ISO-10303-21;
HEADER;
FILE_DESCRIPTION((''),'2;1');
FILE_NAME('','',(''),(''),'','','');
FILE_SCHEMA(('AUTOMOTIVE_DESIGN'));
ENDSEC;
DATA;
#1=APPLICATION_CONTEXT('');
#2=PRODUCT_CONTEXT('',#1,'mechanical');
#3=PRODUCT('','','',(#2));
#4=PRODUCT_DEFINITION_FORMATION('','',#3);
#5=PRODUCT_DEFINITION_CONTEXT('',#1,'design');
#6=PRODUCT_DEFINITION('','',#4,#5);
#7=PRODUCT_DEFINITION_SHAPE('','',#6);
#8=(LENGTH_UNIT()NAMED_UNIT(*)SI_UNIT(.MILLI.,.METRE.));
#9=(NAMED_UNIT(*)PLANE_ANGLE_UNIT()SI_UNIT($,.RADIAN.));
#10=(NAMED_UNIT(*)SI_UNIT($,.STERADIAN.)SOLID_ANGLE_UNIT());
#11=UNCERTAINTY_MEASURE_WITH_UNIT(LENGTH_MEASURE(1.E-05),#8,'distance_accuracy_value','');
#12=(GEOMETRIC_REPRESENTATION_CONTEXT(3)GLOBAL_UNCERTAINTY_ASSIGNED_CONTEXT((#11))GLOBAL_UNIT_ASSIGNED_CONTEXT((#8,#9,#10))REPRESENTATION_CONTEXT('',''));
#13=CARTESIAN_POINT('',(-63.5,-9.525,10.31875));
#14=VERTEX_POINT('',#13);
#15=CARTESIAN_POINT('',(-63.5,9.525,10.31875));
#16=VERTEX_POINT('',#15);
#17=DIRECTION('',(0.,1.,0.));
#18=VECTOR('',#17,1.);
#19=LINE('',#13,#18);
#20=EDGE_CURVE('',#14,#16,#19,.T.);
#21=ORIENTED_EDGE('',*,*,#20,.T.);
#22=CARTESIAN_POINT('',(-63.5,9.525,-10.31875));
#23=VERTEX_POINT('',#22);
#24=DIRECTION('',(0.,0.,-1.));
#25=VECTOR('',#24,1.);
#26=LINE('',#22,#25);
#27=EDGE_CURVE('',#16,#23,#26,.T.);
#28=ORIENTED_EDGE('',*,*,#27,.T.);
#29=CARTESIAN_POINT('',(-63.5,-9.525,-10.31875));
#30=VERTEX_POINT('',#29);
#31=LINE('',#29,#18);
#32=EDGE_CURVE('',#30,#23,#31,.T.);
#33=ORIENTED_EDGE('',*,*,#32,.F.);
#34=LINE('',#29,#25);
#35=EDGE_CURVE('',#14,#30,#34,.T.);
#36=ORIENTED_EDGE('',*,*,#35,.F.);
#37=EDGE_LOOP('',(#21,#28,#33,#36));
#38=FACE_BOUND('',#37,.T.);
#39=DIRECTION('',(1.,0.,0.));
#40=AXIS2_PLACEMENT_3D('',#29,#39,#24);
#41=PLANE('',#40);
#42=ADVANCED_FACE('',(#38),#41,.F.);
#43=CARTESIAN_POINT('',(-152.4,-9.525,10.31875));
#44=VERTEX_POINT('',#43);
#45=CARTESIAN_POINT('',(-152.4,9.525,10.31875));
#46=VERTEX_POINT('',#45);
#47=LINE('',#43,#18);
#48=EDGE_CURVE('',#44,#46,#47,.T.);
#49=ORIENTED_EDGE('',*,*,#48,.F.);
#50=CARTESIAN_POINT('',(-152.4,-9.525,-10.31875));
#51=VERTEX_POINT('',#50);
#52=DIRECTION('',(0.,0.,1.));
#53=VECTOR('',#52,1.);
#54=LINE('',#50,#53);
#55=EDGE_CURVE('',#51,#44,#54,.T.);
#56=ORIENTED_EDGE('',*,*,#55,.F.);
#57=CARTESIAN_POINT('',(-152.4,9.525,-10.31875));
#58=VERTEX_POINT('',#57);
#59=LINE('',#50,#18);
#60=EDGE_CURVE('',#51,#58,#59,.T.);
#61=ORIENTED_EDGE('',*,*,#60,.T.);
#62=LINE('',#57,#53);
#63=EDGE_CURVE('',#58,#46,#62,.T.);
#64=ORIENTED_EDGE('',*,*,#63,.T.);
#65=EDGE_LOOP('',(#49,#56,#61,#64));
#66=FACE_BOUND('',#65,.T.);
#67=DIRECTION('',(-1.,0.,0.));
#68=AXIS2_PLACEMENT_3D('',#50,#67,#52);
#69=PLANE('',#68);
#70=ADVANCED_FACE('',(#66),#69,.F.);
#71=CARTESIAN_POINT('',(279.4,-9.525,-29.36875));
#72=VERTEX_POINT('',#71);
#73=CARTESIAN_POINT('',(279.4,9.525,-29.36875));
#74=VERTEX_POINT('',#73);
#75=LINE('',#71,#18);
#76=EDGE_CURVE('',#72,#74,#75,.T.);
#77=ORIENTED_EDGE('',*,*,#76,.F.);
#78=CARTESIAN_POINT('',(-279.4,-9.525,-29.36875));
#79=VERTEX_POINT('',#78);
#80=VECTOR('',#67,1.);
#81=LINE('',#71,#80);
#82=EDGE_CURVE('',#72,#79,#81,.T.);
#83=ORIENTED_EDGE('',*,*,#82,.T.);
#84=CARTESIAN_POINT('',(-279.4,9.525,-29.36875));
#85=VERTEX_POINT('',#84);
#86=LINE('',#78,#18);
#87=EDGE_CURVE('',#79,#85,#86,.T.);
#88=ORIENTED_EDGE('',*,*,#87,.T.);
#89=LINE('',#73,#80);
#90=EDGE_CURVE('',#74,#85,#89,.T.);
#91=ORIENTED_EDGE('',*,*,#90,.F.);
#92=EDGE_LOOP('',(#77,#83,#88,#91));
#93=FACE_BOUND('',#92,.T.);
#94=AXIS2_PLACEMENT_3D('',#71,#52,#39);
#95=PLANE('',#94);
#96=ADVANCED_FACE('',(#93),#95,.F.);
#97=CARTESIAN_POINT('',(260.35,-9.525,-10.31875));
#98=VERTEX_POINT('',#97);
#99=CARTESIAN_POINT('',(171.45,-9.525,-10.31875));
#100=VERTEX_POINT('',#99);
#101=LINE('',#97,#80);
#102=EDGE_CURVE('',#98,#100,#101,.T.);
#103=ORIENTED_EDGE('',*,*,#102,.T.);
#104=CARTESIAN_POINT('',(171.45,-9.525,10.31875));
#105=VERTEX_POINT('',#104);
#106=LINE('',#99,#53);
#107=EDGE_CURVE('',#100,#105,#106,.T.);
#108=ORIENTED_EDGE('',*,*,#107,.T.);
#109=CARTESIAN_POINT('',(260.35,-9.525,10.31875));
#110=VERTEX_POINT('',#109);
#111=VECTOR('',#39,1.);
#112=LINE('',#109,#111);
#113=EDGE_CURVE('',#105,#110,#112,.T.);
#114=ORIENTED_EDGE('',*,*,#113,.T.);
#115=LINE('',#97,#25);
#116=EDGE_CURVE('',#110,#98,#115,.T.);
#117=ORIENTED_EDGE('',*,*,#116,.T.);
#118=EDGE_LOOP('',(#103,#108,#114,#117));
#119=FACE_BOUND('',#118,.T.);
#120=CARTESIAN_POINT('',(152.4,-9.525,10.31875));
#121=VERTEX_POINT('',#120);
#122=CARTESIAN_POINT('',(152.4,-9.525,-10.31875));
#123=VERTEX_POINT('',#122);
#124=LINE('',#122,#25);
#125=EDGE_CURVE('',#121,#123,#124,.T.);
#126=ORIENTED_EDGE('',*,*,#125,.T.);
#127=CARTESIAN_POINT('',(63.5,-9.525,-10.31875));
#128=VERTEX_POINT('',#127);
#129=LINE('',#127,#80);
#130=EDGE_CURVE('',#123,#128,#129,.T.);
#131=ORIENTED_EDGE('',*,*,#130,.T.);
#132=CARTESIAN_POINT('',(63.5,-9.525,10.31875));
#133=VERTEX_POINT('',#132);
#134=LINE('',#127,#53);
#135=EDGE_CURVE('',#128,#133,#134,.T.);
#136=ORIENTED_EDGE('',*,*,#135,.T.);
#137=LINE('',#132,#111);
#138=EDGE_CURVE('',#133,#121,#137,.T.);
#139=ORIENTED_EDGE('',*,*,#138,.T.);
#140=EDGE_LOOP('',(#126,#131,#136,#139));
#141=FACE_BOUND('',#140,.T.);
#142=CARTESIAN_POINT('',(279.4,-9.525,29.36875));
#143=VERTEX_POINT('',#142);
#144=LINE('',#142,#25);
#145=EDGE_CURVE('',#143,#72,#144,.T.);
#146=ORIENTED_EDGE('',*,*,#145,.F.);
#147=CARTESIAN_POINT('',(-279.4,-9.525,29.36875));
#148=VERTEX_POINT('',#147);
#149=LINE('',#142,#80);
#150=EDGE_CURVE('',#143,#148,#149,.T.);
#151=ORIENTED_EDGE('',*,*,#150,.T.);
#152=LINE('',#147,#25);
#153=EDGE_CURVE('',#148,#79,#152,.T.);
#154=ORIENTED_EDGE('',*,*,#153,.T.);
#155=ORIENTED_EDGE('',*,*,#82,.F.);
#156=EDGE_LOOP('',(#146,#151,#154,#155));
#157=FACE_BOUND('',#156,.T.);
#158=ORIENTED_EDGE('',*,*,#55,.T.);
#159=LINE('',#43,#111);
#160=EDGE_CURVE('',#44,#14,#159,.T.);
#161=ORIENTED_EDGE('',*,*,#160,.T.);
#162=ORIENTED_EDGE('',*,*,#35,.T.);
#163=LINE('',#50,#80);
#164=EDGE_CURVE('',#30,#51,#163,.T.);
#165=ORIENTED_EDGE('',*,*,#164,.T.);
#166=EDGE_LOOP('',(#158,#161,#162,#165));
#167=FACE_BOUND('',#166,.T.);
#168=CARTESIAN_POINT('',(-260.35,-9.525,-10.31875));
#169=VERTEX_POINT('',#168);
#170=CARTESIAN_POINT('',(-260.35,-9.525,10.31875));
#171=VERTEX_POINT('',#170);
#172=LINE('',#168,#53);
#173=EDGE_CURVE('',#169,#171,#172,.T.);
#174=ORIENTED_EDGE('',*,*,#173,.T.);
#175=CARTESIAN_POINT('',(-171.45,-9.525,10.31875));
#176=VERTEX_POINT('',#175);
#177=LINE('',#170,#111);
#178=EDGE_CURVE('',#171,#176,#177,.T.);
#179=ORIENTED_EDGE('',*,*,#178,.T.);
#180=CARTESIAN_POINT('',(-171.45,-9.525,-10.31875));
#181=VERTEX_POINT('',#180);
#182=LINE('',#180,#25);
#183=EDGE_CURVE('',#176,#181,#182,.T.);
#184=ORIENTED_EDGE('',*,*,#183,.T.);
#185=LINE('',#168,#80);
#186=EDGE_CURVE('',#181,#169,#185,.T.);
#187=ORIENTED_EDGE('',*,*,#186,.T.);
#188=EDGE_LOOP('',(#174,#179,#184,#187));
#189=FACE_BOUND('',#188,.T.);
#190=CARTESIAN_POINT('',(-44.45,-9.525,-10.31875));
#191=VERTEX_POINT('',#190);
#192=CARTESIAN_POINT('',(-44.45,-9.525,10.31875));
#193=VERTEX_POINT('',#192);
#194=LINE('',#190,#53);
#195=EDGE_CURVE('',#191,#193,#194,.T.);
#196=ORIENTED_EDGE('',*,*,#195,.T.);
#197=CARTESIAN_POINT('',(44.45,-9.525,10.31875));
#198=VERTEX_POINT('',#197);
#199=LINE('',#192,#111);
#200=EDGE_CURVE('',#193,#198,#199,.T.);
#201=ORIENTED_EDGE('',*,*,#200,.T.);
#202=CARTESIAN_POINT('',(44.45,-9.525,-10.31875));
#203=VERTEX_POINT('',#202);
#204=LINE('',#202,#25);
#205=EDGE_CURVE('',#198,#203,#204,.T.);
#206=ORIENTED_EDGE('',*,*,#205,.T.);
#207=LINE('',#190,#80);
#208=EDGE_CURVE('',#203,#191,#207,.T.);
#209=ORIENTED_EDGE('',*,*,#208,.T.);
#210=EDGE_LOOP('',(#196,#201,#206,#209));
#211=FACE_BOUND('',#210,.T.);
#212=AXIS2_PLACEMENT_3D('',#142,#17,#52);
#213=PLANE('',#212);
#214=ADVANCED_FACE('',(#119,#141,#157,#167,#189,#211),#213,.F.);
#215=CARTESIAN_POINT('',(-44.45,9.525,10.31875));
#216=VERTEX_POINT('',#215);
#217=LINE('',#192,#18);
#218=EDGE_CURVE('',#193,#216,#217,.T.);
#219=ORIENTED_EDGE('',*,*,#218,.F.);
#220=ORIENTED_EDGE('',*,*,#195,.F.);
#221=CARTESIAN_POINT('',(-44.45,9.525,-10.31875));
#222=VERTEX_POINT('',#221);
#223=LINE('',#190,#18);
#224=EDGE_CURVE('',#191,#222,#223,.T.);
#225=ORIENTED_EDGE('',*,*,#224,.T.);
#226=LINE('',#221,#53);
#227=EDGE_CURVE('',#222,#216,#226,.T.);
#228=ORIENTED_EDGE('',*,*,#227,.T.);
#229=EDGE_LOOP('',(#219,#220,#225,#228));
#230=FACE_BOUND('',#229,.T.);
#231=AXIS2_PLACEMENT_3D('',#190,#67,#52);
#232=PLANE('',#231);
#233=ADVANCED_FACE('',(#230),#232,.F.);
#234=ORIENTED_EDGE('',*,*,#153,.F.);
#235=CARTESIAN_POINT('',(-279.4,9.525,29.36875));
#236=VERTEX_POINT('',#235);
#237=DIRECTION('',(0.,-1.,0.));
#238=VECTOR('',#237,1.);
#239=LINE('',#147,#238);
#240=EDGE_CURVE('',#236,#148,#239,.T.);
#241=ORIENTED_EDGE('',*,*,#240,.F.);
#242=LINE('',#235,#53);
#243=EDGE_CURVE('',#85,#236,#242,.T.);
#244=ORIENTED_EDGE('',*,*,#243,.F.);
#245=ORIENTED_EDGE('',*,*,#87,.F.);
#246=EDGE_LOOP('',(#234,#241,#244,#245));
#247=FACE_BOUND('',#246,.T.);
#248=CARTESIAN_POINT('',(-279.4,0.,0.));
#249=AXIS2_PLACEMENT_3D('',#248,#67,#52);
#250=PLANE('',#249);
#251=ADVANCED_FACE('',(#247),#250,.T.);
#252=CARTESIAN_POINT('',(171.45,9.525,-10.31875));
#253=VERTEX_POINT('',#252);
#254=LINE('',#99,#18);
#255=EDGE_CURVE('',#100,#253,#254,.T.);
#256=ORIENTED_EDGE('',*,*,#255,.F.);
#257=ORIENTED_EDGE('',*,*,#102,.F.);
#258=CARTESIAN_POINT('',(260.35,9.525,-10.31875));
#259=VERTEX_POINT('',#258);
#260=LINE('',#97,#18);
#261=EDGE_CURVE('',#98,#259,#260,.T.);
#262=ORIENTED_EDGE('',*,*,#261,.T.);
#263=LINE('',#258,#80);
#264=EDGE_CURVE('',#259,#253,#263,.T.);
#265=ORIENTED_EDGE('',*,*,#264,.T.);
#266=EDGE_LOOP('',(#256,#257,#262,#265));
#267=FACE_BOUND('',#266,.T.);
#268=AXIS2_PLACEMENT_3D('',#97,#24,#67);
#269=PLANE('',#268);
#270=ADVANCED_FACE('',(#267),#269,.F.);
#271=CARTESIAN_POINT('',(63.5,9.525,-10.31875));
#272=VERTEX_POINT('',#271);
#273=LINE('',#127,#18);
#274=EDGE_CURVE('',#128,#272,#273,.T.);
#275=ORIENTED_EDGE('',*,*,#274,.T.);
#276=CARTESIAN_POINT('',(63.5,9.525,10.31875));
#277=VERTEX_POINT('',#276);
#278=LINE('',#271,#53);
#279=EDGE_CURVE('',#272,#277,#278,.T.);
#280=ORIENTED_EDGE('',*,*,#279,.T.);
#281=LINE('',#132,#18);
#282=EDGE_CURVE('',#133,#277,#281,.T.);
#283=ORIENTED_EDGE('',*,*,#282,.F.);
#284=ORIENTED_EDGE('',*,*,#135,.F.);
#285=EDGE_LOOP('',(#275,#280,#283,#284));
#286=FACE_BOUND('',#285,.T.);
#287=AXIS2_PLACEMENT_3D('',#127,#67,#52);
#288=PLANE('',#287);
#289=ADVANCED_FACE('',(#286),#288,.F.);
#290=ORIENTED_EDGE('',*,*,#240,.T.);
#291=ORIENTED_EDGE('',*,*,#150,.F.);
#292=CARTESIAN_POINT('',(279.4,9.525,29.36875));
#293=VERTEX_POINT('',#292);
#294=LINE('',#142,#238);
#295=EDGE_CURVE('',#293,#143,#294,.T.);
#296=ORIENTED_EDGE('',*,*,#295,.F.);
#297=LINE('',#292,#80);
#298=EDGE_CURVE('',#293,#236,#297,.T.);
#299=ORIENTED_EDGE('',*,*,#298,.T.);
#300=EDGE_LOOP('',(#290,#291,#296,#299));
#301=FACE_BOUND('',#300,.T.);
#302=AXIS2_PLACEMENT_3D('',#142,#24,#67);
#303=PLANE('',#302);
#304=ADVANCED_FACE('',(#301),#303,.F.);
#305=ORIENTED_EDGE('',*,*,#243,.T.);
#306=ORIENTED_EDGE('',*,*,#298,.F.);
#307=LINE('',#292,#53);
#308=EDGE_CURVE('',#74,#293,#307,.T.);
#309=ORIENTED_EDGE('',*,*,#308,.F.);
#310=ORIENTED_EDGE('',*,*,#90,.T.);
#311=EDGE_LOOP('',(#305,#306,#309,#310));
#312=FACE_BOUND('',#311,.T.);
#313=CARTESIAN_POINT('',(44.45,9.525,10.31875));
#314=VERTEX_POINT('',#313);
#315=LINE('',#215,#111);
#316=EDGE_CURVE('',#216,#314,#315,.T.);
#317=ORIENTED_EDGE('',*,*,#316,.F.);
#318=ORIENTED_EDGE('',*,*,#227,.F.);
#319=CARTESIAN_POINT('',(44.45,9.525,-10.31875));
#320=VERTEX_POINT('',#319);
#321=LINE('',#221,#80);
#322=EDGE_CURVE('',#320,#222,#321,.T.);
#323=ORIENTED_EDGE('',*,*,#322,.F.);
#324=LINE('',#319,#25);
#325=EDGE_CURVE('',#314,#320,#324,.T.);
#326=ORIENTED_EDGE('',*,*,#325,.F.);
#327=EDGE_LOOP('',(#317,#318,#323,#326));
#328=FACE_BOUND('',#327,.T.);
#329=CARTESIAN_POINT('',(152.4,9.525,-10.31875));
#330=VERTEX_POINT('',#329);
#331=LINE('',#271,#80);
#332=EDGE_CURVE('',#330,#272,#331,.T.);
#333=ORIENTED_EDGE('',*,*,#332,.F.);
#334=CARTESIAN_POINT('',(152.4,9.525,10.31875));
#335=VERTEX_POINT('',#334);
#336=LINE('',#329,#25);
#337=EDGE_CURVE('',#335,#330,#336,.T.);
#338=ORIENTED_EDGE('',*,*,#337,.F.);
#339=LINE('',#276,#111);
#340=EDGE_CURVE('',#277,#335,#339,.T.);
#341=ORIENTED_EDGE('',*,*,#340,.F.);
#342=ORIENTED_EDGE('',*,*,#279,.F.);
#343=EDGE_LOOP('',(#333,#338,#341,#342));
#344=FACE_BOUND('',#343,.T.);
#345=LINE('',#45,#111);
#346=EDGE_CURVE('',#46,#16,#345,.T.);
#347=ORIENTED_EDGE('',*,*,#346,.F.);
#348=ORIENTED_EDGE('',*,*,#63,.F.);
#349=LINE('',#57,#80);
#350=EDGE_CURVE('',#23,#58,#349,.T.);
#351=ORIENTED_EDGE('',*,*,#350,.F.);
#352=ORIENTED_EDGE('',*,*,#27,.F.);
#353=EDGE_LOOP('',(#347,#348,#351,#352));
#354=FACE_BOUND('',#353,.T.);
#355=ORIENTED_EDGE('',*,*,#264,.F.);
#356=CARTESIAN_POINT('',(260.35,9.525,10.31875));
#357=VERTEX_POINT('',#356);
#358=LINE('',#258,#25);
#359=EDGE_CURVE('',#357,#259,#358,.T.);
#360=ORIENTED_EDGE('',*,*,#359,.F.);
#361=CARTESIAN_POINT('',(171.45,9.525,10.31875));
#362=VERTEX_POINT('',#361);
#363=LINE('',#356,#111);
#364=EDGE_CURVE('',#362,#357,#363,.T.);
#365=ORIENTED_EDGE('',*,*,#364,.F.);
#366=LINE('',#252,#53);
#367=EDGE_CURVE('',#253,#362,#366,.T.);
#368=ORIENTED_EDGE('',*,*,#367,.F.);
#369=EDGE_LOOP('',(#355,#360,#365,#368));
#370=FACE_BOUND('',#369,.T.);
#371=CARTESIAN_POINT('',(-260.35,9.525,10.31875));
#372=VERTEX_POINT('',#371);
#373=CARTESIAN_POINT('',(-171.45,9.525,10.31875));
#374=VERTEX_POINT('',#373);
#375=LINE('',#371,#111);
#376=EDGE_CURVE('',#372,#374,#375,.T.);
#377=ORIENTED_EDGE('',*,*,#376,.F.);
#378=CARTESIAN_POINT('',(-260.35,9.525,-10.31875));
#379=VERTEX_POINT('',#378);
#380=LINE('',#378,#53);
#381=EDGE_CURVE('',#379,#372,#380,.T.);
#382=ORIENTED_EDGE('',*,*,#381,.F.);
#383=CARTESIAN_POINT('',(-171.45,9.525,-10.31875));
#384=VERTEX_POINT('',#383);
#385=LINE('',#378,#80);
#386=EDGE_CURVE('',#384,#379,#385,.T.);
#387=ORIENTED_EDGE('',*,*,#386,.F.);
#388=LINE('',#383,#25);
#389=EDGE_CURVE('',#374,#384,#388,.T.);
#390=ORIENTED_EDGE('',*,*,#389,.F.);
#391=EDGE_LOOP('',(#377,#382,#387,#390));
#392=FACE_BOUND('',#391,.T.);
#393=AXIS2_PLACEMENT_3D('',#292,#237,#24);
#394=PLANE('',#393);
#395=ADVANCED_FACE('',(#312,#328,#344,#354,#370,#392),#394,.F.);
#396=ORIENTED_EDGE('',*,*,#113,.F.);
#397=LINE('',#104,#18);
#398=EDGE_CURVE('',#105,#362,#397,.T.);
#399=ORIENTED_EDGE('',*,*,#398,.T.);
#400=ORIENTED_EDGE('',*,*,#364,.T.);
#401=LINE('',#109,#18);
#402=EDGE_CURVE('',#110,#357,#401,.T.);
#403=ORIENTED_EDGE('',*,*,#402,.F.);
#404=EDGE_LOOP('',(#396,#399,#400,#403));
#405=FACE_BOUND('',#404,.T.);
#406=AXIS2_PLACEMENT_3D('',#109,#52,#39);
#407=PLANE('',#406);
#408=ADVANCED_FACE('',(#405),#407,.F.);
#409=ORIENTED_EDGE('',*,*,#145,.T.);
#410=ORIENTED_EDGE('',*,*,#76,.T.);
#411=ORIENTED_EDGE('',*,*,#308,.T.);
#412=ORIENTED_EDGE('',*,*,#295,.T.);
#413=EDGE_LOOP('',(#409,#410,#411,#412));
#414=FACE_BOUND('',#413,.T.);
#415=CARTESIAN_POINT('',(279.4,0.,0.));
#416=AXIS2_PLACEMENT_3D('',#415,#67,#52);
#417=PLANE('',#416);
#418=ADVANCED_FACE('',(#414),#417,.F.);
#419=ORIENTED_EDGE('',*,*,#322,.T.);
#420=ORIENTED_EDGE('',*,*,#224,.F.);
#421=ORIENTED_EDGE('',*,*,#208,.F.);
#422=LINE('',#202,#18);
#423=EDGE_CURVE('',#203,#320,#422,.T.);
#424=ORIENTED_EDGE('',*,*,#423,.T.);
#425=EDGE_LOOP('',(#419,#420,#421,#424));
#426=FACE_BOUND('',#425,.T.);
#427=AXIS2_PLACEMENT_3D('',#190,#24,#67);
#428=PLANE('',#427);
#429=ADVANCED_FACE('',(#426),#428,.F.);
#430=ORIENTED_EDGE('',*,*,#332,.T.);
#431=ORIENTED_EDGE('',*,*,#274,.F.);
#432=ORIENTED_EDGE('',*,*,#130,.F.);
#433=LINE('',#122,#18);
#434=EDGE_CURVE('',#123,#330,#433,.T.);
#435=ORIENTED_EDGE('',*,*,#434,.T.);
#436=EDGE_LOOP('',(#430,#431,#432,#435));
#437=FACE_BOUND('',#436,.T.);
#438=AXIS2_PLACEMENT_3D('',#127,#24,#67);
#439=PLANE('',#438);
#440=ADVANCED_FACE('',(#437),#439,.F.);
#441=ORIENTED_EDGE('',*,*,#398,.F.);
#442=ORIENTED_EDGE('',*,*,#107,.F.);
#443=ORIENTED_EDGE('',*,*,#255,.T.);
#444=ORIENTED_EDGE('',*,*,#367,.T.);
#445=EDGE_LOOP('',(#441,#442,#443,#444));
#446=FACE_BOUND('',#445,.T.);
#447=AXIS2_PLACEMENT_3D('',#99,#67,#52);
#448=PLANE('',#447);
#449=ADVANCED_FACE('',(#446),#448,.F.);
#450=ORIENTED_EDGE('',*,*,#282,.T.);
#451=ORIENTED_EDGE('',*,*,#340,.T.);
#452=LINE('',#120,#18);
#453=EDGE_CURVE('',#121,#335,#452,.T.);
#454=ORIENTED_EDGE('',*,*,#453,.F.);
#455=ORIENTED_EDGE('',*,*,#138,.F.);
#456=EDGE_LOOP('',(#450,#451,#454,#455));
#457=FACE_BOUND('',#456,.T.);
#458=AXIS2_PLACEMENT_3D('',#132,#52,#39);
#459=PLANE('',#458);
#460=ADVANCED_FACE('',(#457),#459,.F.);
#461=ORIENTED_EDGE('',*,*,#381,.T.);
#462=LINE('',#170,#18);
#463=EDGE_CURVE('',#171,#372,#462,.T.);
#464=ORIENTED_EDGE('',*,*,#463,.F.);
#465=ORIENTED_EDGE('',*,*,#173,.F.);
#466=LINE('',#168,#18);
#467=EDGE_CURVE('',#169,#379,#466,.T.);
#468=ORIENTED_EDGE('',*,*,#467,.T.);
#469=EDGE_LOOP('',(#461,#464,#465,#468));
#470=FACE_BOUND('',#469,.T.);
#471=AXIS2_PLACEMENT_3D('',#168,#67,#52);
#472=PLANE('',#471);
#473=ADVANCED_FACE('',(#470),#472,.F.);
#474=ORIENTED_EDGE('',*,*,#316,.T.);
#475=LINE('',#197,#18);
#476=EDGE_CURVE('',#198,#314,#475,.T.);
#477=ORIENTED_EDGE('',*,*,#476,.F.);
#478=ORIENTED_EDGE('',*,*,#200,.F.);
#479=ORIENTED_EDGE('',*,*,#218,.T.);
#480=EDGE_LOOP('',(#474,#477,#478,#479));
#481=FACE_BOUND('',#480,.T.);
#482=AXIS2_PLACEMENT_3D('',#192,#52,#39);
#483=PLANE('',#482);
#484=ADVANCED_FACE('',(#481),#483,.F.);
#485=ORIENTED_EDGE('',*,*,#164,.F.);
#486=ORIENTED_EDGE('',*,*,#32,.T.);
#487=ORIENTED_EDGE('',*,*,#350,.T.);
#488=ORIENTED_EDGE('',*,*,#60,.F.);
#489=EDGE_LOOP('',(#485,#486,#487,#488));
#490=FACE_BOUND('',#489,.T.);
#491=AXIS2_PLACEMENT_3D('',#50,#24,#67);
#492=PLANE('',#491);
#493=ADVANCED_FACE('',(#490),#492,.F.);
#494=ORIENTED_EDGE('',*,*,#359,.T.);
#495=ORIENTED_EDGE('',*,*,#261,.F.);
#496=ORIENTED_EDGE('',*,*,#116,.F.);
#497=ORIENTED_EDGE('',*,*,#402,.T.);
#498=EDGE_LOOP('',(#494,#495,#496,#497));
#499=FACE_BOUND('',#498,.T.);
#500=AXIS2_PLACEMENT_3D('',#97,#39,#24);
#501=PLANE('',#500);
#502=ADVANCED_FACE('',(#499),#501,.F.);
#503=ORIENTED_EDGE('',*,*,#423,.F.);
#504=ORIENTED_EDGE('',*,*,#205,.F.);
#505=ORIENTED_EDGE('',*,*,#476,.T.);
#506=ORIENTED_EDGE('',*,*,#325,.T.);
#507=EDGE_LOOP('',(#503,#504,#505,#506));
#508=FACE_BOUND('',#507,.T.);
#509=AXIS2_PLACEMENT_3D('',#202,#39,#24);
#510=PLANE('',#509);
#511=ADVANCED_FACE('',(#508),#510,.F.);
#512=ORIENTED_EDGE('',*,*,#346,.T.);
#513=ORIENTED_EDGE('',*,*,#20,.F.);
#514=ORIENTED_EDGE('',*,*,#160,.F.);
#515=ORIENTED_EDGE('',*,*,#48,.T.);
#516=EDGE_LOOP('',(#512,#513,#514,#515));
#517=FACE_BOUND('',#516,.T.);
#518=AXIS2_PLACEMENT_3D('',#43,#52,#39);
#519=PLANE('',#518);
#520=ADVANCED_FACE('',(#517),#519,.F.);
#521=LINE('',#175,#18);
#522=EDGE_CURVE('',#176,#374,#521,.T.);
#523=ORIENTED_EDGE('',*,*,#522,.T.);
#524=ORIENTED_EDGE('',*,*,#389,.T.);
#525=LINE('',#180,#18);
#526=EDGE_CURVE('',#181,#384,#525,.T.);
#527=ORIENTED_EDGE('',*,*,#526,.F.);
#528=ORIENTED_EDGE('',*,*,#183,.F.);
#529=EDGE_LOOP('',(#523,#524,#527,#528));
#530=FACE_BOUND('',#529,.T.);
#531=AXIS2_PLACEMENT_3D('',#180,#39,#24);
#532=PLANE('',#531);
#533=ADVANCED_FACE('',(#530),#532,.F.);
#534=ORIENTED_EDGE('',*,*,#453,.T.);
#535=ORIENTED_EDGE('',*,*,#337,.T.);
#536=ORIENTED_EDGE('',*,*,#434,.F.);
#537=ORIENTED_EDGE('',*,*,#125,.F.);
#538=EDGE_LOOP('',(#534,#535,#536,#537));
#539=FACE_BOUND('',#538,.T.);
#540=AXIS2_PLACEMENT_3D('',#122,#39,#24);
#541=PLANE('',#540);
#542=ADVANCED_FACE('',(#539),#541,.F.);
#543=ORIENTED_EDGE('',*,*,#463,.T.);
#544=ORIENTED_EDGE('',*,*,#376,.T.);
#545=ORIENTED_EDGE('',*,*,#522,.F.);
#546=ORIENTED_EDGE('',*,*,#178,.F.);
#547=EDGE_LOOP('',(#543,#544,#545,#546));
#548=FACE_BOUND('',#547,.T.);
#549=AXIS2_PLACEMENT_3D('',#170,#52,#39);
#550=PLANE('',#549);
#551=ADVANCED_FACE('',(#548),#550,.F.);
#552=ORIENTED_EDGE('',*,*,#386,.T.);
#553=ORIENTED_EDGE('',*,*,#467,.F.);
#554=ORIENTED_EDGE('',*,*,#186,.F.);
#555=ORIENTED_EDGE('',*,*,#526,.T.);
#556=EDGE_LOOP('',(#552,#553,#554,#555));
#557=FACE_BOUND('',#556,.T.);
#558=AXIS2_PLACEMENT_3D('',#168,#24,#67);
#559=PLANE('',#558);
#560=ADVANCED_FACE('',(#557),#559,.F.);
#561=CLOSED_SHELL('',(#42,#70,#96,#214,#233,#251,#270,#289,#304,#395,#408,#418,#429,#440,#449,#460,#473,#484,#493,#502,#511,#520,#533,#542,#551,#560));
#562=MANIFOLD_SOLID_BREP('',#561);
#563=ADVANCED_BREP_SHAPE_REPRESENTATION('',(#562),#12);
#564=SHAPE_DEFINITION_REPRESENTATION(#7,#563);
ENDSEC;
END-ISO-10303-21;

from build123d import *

# Parameters (mm, degrees)
SKETCH1_W           = 58.7375
SKETCH1_H           = 19.05
BOSS_EXTRUDE1_DEPTH = 279.4
SKETCH2_W           = 88.9
SKETCH2_H           = 20.6375
CUT_EXTRUDE1_DEPTH  = 282.584420692


with BuildPart() as part:
    # Sketch1 → Boss-Extrude1 (new, symmetric)
    with BuildSketch(Plane(origin=(0, 0, 0), x_dir=(0, 0, -1), z_dir=(1, 0, 0))):
        Rectangle(SKETCH1_W, SKETCH1_H)
    extrude(amount=BOSS_EXTRUDE1_DEPTH, both=True)

    # Sketch2 → Cut-Extrude1 (cut, through all)
    with BuildSketch(Plane(origin=(0, 9.525, 0), x_dir=(1, 0, 0), z_dir=(0, 1, 0))):
        with Locations((-215.9, 0)):
            Rectangle(SKETCH2_W, SKETCH2_H)
        with Locations((215.9, 0)):
            Rectangle(SKETCH2_W, SKETCH2_H)
        with Locations((-107.95, 0)):
            Rectangle(SKETCH2_W, SKETCH2_H)
        Rectangle(SKETCH2_W, SKETCH2_H)
        with Locations((107.95, 0)):
            Rectangle(SKETCH2_W, SKETCH2_H)
    extrude(amount=-CUT_EXTRUDE1_DEPTH, mode=Mode.SUBTRACT)


solid = part.part
